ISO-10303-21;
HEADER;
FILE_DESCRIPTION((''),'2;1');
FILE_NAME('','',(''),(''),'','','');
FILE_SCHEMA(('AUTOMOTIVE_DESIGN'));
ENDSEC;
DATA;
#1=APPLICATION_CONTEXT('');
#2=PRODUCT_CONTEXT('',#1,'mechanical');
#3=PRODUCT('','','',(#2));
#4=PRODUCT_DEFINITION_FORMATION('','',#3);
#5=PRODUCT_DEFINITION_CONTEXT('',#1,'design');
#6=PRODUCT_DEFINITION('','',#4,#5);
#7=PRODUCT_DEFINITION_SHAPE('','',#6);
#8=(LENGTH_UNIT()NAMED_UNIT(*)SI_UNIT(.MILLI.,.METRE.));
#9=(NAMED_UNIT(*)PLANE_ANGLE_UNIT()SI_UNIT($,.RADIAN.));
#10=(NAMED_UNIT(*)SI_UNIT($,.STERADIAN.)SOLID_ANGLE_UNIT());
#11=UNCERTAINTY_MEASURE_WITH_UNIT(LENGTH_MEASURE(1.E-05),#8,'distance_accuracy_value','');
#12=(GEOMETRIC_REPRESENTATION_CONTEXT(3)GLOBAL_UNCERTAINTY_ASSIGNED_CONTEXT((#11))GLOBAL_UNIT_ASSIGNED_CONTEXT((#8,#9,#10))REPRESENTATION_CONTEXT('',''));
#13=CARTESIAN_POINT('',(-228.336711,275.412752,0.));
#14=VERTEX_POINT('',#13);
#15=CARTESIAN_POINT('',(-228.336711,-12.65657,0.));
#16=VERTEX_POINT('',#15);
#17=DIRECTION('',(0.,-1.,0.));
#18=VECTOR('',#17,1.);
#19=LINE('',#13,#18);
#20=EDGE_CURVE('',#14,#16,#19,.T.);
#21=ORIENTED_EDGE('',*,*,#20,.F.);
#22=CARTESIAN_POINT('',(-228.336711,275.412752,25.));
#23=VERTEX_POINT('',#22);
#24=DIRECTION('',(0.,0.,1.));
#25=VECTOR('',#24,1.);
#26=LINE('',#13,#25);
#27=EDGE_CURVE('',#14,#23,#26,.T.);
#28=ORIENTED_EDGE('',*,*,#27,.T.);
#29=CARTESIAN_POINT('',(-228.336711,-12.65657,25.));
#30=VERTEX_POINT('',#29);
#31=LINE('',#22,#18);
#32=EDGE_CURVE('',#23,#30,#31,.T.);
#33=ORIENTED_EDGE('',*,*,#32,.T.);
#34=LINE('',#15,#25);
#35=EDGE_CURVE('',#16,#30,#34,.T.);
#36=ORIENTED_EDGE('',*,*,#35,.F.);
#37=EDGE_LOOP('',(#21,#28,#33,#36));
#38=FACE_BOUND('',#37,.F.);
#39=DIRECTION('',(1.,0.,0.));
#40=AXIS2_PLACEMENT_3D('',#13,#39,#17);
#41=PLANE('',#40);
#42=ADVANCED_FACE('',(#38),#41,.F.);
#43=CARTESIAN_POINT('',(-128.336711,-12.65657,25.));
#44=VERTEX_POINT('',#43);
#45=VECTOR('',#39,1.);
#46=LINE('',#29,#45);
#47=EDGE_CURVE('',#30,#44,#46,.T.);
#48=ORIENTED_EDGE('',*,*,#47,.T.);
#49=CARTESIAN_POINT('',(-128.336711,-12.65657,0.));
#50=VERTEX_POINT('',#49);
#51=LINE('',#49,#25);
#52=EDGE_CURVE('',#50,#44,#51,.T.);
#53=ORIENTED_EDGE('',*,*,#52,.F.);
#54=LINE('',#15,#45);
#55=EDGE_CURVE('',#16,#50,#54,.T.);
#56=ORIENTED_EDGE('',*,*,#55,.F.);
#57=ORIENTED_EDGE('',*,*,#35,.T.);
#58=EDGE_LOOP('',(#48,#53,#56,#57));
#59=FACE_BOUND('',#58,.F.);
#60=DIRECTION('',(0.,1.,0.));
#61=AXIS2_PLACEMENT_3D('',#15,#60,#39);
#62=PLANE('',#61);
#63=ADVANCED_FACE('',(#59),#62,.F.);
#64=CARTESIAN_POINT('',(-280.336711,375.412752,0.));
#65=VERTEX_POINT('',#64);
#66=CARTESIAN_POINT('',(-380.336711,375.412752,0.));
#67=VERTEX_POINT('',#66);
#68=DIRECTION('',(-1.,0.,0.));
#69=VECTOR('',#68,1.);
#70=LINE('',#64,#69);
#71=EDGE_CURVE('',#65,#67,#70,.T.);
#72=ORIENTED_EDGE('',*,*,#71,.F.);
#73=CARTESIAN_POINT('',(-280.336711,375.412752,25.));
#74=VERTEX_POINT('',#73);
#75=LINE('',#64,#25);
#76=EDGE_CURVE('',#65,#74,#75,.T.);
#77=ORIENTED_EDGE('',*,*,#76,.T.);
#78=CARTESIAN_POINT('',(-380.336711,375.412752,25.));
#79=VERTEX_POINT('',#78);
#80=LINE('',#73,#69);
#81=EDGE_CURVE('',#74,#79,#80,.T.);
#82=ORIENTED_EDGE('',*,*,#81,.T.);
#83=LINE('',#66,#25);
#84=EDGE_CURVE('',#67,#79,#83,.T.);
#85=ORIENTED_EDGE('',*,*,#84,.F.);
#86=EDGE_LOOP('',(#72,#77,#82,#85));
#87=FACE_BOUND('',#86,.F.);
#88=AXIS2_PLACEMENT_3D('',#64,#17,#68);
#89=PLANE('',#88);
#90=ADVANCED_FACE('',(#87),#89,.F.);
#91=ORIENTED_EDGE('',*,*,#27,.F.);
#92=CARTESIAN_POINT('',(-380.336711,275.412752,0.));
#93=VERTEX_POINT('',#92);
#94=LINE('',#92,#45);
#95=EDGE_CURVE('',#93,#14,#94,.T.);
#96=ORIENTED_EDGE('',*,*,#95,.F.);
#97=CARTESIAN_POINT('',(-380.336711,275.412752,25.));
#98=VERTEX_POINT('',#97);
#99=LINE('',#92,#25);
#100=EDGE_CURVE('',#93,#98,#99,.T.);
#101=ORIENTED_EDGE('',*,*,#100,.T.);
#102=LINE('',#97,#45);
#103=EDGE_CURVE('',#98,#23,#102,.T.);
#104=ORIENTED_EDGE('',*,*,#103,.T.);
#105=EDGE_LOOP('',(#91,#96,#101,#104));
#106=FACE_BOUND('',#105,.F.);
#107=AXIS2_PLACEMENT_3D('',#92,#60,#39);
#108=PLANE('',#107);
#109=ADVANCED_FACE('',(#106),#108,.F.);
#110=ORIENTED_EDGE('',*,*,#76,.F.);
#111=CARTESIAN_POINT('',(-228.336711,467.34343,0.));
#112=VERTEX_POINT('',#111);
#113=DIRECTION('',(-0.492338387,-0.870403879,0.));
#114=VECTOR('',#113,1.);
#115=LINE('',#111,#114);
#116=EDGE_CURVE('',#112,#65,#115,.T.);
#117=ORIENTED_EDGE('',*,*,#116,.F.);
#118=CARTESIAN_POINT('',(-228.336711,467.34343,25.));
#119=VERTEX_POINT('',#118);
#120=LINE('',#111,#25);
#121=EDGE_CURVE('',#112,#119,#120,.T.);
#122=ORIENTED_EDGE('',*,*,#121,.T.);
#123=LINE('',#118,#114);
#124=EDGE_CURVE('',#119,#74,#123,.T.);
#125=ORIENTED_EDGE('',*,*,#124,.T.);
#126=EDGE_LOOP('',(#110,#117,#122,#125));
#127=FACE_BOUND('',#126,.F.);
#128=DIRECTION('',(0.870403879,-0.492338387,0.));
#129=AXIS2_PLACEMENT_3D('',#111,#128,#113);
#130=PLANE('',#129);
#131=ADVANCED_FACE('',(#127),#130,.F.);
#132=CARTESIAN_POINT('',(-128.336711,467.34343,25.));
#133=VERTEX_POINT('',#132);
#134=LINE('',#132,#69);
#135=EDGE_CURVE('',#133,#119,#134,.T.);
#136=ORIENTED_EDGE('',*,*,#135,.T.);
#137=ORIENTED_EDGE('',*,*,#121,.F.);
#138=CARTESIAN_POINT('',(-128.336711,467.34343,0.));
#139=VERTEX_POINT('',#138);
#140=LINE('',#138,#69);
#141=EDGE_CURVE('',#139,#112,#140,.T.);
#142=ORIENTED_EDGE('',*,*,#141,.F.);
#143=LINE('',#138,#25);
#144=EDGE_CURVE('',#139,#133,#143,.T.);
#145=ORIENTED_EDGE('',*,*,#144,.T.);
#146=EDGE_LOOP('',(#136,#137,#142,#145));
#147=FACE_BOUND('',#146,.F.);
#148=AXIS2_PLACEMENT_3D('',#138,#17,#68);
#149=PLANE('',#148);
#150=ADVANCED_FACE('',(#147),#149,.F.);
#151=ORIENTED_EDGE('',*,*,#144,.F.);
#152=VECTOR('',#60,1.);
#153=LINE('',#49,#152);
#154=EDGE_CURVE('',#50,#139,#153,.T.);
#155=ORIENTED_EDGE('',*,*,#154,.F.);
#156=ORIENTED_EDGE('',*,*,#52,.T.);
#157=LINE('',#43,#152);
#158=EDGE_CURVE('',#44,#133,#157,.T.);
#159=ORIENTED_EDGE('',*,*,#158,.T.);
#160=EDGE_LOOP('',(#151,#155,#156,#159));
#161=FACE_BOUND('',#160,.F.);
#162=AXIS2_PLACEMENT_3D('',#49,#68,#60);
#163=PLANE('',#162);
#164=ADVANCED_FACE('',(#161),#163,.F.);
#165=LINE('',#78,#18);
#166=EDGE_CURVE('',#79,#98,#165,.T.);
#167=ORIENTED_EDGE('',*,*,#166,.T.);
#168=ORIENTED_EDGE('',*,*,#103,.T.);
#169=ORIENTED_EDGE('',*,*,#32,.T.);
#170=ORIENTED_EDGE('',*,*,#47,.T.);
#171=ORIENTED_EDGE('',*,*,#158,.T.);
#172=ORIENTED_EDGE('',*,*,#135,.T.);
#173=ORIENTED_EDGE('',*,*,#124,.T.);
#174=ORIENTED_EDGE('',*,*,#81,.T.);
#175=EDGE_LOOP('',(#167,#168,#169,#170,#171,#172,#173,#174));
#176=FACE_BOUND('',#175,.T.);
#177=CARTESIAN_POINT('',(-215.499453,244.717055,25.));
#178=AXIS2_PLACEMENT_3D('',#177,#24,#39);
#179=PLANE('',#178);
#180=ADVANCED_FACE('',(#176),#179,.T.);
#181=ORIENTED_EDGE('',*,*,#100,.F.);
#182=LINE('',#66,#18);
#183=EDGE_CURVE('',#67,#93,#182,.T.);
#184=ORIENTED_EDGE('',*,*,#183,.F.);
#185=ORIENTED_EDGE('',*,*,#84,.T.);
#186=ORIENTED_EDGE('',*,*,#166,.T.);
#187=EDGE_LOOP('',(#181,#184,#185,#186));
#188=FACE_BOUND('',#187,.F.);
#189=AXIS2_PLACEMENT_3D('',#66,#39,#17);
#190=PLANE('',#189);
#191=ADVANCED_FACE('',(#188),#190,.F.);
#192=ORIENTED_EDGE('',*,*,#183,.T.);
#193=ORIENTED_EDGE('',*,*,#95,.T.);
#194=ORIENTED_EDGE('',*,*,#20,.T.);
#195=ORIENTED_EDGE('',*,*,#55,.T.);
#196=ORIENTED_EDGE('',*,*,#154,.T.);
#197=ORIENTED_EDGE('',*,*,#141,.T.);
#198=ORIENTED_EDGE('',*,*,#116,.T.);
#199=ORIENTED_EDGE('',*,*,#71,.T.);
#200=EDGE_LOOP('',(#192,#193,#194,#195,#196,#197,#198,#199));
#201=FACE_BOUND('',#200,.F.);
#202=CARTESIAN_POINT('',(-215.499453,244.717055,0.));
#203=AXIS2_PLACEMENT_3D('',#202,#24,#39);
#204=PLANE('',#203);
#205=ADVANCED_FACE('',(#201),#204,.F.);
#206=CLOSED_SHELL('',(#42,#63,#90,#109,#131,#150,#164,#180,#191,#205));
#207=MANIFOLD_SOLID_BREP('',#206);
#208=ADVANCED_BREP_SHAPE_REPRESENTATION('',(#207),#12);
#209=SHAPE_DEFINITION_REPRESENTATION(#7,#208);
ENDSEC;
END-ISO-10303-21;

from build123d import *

# Parameters (mm, degrees)
F1_DEPTH = 25
F2_DEPTH = 25
F3_DEPTH = 25
F4_DEPTH = 25


with BuildPart() as f1:
    # F0 (on Top) → F1 (new body)
    with BuildSketch(Plane.XY):
        Polygon((-128.336711, 467.34343), (-228.336711, 467.34343), (-280.336711, 375.412752), (-380.336711, 375.412752), (-380.336711, 275.412752), (-228.336711, 275.412752), (-228.336711, -12.65657), (-128.336711, -12.65657), align=None)
    extrude(amount=F1_DEPTH)

    # F0 (on Top) → F2 (join)
    with BuildSketch(Plane.XY):
        Polygon((-128.336711, 467.34343), (-228.336711, 467.34343), (-280.336711, 375.412752), (-380.336711, 375.412752), (-380.336711, 275.412752), (-228.336711, 275.412752), (-228.336711, -12.65657), (-128.336711, -12.65657), align=None)
    extrude(amount=F2_DEPTH)

    # F0 (on Top) → F3 (join)
    with BuildSketch(Plane.XY):
        Polygon((-128.336711, 467.34343), (-228.336711, 467.34343), (-280.336711, 375.412752), (-380.336711, 375.412752), (-380.336711, 275.412752), (-228.336711, 275.412752), (-228.336711, -12.65657), (-128.336711, -12.65657), align=None)
    extrude(amount=F3_DEPTH)

    # F0 (on Top) → F4 (join)
    with BuildSketch(Plane.XY):
        Polygon((-128.336711, 467.34343), (-228.336711, 467.34343), (-280.336711, 375.412752), (-380.336711, 375.412752), (-380.336711, 275.412752), (-228.336711, 275.412752), (-228.336711, -12.65657), (-128.336711, -12.65657), align=None)
    extrude(amount=F4_DEPTH)


solid = f1.part
